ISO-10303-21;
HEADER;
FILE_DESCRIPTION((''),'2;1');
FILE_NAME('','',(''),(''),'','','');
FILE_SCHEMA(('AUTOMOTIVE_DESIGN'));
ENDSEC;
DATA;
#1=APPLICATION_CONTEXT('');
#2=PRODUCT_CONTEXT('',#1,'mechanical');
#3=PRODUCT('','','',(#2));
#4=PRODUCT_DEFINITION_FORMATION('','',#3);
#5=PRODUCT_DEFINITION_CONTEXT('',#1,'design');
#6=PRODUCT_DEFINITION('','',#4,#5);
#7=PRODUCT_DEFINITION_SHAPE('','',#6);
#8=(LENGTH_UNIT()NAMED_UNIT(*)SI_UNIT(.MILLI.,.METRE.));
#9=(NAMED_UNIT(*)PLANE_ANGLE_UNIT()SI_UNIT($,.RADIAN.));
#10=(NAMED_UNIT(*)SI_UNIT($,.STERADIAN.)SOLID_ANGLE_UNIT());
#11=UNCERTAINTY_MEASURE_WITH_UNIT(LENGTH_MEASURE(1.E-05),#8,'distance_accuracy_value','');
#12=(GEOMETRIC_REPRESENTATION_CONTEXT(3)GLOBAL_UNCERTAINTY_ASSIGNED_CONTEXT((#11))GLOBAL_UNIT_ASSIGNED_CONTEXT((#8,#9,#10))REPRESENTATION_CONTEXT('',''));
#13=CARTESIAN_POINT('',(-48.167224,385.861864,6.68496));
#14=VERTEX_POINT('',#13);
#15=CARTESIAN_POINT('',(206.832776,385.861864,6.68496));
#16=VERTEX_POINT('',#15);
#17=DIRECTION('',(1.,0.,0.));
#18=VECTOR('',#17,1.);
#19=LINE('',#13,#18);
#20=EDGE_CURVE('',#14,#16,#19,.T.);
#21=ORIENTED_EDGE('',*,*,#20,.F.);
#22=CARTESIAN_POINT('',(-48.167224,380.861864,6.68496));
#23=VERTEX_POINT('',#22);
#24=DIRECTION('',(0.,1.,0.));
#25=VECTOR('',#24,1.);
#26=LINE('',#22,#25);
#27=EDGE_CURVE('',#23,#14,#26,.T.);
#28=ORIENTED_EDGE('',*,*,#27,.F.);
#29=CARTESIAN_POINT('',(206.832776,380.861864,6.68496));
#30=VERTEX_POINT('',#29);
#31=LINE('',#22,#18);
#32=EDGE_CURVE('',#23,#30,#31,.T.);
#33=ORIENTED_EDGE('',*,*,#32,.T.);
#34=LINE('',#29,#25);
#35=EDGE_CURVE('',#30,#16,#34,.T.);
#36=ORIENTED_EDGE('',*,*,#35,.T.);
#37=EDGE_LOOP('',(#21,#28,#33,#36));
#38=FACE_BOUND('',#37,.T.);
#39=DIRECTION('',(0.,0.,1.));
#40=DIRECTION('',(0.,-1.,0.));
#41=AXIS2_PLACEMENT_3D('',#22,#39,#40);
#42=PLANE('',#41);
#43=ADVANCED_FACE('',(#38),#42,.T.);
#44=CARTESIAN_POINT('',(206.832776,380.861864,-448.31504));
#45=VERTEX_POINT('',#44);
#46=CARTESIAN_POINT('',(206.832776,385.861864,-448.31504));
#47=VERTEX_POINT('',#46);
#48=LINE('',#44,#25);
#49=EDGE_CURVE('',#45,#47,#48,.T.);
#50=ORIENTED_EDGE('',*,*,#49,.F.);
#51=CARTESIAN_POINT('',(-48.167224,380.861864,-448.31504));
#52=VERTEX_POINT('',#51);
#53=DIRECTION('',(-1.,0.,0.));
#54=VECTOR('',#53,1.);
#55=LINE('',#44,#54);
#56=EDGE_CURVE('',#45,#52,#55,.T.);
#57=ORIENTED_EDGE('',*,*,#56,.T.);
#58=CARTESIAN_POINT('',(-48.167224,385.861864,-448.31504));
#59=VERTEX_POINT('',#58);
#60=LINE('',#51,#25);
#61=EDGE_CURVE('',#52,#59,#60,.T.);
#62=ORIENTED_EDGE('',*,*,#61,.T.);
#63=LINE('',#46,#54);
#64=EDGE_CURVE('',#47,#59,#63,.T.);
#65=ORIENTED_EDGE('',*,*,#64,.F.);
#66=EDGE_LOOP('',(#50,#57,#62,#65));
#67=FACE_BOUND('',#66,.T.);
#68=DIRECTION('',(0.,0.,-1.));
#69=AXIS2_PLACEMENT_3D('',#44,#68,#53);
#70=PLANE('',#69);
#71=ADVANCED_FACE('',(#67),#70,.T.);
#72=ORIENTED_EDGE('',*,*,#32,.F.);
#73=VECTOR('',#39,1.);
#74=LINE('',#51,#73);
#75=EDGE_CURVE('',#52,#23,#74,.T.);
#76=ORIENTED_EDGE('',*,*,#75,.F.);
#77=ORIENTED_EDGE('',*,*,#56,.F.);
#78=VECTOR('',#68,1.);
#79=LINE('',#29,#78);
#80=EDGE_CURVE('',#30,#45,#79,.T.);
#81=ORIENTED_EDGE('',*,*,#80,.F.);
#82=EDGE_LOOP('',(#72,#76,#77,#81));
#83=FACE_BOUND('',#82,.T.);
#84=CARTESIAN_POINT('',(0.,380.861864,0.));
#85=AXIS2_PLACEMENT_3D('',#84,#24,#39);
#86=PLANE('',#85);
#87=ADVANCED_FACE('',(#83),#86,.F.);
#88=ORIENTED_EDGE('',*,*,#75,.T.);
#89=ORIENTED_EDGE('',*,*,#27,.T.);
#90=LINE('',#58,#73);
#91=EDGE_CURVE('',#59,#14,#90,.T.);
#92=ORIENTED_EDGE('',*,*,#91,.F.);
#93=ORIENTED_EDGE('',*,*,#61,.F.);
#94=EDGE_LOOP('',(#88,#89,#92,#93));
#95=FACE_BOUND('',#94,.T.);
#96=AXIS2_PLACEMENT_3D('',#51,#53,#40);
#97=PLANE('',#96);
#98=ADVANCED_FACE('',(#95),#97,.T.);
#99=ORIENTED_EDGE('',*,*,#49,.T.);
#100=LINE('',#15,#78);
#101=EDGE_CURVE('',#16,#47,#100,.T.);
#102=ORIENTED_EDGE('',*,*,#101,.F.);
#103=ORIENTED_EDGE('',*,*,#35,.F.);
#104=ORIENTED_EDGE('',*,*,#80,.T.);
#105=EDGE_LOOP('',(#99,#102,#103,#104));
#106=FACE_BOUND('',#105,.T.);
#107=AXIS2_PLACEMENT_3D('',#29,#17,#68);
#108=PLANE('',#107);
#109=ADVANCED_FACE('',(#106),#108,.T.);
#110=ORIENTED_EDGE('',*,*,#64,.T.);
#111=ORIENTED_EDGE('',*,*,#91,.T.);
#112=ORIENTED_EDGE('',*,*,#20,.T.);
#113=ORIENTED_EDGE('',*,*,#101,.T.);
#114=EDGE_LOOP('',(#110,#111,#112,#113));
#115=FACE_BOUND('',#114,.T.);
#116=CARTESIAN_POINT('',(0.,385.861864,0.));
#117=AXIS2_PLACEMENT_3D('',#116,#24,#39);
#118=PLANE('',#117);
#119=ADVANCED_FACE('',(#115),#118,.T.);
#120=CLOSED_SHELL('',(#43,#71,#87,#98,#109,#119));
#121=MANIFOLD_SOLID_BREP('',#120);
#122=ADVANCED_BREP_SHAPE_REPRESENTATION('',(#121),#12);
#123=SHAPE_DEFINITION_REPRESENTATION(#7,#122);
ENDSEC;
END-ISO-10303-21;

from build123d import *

# Parameters (mm, degrees)
SKETCH2_W           = 255
SKETCH2_H           = 455
BOSS_EXTRUDE1_DEPTH = 5


with BuildPart() as part:
    # Sketch2 → Boss-Extrude1 (new body)
    with BuildSketch(Plane(origin=(0, 385.86186402, 0), x_dir=(1, 0, 0), z_dir=(0, 1, 0))):
        with Locations((79.332776424, 220.815039757)):
            Rectangle(SKETCH2_W, SKETCH2_H)
    extrude(amount=-BOSS_EXTRUDE1_DEPTH)


solid = part.part
